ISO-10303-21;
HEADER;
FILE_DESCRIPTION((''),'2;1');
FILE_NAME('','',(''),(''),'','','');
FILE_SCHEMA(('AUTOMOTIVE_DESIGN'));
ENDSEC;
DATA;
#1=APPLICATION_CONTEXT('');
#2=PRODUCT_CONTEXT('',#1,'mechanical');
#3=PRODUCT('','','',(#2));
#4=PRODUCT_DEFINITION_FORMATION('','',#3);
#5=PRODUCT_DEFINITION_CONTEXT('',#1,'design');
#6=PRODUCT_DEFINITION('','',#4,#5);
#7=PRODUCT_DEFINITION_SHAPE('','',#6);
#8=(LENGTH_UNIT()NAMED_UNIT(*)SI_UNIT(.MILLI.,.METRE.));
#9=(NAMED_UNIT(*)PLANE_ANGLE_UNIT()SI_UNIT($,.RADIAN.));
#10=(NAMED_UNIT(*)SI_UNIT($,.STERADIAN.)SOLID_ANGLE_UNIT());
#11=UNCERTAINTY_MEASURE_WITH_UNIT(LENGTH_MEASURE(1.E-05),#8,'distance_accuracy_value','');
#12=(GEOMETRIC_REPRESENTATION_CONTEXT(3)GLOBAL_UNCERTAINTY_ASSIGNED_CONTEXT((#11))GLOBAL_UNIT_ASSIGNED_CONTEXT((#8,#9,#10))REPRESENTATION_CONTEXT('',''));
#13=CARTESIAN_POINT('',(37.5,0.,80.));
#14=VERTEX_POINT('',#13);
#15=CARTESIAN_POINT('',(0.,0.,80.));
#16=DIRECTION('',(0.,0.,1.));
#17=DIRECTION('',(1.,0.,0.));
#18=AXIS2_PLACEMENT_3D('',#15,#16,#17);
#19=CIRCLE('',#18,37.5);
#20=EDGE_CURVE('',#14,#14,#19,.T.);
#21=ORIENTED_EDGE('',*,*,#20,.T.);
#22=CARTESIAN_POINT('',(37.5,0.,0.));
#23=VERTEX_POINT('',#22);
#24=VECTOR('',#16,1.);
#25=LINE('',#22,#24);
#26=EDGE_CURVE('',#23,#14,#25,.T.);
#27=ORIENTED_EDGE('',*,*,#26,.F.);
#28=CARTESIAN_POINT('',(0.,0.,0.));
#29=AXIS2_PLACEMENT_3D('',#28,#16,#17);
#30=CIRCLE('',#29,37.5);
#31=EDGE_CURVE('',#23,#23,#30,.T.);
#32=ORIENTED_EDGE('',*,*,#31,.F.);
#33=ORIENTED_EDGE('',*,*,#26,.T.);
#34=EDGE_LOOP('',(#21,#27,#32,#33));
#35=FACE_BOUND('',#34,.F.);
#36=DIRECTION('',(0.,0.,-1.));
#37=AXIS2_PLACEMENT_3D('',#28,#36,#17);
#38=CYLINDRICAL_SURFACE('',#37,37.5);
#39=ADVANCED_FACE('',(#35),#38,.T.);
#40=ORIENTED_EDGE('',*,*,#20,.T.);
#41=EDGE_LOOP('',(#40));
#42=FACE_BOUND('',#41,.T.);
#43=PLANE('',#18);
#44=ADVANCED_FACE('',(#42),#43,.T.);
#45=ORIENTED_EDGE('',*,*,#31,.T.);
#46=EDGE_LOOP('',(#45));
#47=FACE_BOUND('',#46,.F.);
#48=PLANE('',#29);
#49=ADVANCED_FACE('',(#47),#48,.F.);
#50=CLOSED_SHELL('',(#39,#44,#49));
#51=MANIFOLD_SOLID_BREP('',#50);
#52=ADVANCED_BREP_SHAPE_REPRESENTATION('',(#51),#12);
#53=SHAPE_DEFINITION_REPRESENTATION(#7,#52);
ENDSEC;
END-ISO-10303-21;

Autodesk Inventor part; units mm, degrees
ref_plane "YZ Plane" through (0, 0, 0) normal (1, 0, 0) x (0, 1, 0)
ref_plane "XZ Plane" through (0, 0, 0) normal (0, 1, 0) x (-1, 0, 0)
ref_plane "XY Plane" through (0, 0, 0) normal (0, 0, 1) x (1, 0, 0)
sketch "Sketch1" plane through (0, 0, 0) normal (0, 0, 1) x (1, 0, 0)
  circle A0 centre (0, 0) radius 37.5
  dimension "d0" = 75
extrude "Extrusion1" add sketch "Sketch1" along normal blind 80
properties part number "Flight Computer" material "Flight Comp Mat'l"
